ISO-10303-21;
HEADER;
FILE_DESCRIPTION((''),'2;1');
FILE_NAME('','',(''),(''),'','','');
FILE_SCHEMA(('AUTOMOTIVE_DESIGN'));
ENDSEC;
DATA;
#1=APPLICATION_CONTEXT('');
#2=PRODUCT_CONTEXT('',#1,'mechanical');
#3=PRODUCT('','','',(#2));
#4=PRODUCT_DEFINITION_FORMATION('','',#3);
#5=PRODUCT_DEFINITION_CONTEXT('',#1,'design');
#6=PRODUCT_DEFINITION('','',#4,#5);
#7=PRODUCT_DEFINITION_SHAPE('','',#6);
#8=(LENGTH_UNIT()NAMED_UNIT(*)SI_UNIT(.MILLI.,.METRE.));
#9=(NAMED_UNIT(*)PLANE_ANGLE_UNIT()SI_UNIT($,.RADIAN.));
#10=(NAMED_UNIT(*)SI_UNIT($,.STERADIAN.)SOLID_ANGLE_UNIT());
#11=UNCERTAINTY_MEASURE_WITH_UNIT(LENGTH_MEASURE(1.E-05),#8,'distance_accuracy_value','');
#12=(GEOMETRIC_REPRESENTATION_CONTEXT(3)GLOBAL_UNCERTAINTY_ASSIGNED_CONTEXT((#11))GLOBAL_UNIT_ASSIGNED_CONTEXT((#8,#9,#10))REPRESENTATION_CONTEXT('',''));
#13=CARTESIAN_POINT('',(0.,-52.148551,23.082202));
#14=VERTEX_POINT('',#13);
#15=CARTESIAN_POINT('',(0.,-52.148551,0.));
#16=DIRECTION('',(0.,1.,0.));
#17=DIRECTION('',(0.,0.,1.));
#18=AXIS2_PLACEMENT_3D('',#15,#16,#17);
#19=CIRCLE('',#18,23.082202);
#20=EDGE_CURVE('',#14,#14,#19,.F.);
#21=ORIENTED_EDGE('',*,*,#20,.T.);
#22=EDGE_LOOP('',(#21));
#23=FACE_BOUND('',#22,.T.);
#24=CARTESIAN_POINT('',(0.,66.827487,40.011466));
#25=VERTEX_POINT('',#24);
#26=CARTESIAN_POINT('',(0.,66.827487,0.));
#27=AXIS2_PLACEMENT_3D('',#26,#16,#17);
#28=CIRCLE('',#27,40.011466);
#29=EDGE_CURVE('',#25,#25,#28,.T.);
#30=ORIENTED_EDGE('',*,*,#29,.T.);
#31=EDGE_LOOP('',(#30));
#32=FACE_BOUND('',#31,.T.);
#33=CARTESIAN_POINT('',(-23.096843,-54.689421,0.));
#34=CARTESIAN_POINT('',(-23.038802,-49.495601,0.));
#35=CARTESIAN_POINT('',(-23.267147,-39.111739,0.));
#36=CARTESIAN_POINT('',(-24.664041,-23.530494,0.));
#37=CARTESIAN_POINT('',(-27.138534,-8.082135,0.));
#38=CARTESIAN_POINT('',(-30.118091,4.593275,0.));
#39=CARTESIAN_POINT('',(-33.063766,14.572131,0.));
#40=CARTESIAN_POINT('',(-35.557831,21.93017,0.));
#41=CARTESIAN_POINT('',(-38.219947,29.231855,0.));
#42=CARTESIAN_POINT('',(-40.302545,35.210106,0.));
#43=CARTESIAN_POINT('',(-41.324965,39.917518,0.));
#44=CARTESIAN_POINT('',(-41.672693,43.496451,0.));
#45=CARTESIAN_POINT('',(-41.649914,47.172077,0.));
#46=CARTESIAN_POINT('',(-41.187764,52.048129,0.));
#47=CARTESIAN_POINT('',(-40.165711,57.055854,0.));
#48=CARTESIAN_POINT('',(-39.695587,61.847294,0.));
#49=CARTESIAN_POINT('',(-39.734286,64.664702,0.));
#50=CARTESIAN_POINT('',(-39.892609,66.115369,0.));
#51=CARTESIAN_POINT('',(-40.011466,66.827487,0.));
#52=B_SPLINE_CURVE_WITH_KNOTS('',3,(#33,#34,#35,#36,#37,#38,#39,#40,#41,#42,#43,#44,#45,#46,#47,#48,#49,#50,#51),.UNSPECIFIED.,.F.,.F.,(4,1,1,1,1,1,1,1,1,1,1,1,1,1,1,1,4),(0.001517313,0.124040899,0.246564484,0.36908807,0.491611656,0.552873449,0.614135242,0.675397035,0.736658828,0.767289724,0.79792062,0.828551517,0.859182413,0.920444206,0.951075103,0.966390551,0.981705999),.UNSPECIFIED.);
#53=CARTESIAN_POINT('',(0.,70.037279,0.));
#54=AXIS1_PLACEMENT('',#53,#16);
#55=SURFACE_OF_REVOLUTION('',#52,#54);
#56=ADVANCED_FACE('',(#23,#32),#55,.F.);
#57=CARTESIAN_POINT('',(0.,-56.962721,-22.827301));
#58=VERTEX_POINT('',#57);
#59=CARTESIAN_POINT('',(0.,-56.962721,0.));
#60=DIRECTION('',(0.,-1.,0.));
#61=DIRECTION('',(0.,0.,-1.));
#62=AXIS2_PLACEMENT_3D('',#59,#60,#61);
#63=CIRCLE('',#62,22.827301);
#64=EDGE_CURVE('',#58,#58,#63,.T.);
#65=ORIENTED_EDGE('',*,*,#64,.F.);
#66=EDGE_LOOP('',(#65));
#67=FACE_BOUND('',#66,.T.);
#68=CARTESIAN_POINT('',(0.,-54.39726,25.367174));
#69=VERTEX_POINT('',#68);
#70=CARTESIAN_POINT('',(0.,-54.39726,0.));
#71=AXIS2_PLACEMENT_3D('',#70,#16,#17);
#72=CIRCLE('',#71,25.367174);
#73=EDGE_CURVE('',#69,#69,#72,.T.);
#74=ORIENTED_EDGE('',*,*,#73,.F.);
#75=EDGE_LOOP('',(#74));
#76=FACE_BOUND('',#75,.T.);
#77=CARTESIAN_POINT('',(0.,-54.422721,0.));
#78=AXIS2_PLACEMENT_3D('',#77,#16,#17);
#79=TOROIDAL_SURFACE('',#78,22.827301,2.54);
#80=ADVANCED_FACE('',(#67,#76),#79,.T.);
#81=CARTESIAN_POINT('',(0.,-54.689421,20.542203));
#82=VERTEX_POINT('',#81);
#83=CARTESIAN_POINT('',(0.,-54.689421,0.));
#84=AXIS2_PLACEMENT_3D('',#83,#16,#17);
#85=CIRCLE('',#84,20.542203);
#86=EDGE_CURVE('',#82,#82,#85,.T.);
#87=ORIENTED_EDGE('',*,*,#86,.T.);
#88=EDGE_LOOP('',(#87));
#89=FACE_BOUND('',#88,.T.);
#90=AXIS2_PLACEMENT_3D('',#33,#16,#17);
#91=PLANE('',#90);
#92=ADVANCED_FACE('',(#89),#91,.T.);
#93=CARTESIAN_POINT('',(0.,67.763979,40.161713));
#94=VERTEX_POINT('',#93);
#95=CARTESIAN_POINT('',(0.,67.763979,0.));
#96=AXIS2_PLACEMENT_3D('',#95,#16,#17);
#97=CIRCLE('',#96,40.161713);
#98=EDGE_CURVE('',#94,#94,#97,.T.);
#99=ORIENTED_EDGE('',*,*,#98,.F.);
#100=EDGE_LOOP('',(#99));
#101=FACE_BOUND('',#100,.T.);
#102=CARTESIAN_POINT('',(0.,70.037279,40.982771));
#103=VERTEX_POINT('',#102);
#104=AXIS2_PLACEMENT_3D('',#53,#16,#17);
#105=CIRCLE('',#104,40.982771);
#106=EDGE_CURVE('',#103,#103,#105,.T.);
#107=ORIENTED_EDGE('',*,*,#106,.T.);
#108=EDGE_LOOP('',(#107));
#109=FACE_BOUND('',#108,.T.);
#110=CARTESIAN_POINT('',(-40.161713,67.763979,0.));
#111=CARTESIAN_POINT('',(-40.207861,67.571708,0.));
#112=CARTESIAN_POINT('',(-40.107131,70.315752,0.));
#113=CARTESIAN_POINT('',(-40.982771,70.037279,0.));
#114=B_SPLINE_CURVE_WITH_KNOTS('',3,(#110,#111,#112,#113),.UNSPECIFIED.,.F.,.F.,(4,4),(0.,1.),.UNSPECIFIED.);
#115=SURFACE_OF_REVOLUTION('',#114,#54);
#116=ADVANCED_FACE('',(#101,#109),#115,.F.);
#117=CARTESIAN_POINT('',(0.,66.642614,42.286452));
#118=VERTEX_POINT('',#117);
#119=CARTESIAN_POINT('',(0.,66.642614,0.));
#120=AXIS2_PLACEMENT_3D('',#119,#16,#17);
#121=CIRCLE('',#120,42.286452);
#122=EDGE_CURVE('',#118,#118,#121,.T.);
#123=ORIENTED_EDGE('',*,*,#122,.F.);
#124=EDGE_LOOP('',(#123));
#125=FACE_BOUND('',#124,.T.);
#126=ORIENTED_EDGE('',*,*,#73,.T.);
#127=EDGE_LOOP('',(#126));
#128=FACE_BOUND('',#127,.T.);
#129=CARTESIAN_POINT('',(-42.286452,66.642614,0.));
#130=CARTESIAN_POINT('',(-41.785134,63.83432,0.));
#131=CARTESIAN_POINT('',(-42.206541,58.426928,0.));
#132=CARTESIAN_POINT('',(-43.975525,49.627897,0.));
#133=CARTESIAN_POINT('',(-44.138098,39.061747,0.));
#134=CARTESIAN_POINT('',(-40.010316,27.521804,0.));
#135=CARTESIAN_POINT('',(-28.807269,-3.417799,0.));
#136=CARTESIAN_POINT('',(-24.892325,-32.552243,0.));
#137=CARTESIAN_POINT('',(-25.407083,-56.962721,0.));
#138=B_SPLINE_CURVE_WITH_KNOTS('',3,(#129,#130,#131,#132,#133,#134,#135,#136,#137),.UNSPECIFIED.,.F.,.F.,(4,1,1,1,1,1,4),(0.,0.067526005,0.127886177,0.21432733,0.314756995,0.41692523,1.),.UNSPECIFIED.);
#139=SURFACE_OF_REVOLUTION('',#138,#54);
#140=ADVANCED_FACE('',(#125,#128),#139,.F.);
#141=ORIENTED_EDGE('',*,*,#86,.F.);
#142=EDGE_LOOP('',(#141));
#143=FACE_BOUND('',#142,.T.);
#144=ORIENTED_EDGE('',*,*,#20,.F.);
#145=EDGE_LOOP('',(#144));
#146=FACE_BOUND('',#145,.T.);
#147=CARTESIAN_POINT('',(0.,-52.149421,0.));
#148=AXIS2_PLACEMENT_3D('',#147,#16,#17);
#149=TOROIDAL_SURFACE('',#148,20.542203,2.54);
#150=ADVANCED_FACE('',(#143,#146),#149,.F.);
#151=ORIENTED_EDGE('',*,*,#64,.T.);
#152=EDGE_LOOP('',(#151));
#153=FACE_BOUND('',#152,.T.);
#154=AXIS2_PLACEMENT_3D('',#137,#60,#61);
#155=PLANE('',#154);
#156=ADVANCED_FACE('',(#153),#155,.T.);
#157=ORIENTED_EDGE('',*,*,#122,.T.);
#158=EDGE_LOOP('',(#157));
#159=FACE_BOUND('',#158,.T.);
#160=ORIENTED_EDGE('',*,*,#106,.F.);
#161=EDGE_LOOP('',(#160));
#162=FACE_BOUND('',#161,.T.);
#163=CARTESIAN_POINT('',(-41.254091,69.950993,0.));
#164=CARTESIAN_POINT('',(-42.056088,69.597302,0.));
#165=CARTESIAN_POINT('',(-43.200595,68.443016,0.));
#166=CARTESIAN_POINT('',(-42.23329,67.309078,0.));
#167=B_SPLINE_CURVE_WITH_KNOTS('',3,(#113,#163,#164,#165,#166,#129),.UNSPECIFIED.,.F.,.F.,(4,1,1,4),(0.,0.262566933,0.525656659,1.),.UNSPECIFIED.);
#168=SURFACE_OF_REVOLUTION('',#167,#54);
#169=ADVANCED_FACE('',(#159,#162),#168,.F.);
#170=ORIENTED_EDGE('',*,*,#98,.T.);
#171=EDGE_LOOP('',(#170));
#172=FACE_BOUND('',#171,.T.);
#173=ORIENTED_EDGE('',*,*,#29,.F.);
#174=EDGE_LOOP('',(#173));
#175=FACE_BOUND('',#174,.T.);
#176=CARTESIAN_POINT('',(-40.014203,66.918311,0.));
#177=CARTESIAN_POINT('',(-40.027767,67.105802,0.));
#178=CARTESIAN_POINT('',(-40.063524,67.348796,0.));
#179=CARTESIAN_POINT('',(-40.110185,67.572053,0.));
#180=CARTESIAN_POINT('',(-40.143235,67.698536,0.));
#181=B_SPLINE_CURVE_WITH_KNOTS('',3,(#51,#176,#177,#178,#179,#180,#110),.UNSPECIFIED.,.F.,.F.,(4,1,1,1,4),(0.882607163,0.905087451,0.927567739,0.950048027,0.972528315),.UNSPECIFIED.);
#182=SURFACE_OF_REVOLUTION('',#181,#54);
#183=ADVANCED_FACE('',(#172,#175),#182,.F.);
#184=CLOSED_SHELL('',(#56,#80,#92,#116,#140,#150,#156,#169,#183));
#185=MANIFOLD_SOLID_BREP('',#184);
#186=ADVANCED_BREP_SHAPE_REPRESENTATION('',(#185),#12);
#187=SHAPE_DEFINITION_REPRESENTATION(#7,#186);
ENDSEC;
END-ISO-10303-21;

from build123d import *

# Parameters (mm, degrees)
FILLET1_R = 2.54
FILLET2_R = 2.54


with BuildPart() as part:
    # Sketch2 → Revolve1 (revolve)
    with BuildSketch(Plane.XY):
        with BuildLine():
            Line((-25.40708286, -56.962721203), (0, -56.962721203))
            Line((0, -56.962721203), (0, -54.689421203))
            Line((0, -54.689421203), (-2.2733, -54.689421203))
            Line((-2.2733, -54.689421203), (-23.096843174, -54.689421203))
            add(Edge.make_bspline(
                [(-40.011466118, 66.827486807), (-39.892609453, 66.115369341), (-39.734285644, 64.664702424), (-39.695586841, 61.847294194), (-40.165710855, 57.055854379), (-41.187764333, 52.048129172), (-41.649914027, 47.172076733), (-41.672692613, 43.49645079), (-41.324964806, 39.917518025), (-40.302545165, 35.210106246), (-38.21994674, 29.231854528), (-35.55783051, 21.930169756), (-33.063765776, 14.572130603), (-30.118090667, 4.593275441), (-27.138534071, -8.08213544), (-24.664040822, -23.53049359), (-23.267146809, -39.111739175), (-23.038801881, -49.49560103), (-23.096843174, -54.689421203)],
                knots=[0.001517313, 0.001517313, 0.001517313, 0.001517313, 0.016832761, 0.032148209, 0.062779106, 0.124040899, 0.154671795, 0.185302691, 0.215933588, 0.246564484, 0.307826277, 0.36908807, 0.430349863, 0.491611656, 0.614135242, 0.736658828, 0.859182413, 0.981705999, 0.981705999, 0.981705999, 0.981705999], degree=3))
            add(Edge.make_bspline(
                [(-40.161712897, 67.763978797), (-40.143235386, 67.698536297), (-40.110184851, 67.572053011), (-40.063524101, 67.348796279), (-40.027766705, 67.105802402), (-40.014203281, 66.918310744), (-40.011466118, 66.827486807)],
                knots=[0.882607163, 0.882607163, 0.882607163, 0.882607163, 0.905087451, 0.927567739, 0.950048027, 0.972528315, 0.972528315, 0.972528315, 0.972528315], degree=3))
            add(Edge.make_bspline(
                [(-40.161712897, 67.763978797), (-40.207860765, 67.571707559), (-40.107131029, 70.315751952), (-40.982771359, 70.037278797)],
                knots=[0, 0, 0, 0, 1, 1, 1, 1], degree=3))
            add(Edge.make_bspline(
                [(-40.982771359, 70.037278797), (-41.254090727, 69.950993186), (-42.056088349, 69.597301664), (-43.200594852, 68.443015921), (-42.23328971, 67.309077752), (-42.286452081, 66.642614038)],
                knots=[0, 0, 0, 0, 0.262566933, 0.525656659, 1, 1, 1, 1], degree=3))
            add(Edge.make_bspline(
                [(-42.286452081, 66.642614038), (-41.785134146, 63.834319752), (-42.206541361, 58.426928392), (-43.97552502, 49.627897193), (-44.138098089, 39.061746927), (-40.010316103, 27.521804127), (-28.807269236, -3.417799297), (-24.892324559, -32.552242663), (-25.40708286, -56.962721203)],
                knots=[0, 0, 0, 0, 0.067526005, 0.127886177, 0.21432733, 0.314756995, 0.41692523, 1, 1, 1, 1], degree=3))
        make_face()
    revolve(axis=Axis((0, 70.037278797, 0), (0, -1, 0)))

    # Fillet1
    fillet1_edges = [part.edges().sort_by_distance(p)[0] for p in [
        (23.096843174, -54.689421203, 0),
    ]]
    fillet(fillet1_edges, radius=FILLET1_R)

    # Fillet2
    fillet2_edges = [part.edges().sort_by_distance(p)[0] for p in [
        (25.40708286, -56.962721203, 0),
    ]]
    fillet(fillet2_edges, radius=FILLET2_R)


solid = part.part
